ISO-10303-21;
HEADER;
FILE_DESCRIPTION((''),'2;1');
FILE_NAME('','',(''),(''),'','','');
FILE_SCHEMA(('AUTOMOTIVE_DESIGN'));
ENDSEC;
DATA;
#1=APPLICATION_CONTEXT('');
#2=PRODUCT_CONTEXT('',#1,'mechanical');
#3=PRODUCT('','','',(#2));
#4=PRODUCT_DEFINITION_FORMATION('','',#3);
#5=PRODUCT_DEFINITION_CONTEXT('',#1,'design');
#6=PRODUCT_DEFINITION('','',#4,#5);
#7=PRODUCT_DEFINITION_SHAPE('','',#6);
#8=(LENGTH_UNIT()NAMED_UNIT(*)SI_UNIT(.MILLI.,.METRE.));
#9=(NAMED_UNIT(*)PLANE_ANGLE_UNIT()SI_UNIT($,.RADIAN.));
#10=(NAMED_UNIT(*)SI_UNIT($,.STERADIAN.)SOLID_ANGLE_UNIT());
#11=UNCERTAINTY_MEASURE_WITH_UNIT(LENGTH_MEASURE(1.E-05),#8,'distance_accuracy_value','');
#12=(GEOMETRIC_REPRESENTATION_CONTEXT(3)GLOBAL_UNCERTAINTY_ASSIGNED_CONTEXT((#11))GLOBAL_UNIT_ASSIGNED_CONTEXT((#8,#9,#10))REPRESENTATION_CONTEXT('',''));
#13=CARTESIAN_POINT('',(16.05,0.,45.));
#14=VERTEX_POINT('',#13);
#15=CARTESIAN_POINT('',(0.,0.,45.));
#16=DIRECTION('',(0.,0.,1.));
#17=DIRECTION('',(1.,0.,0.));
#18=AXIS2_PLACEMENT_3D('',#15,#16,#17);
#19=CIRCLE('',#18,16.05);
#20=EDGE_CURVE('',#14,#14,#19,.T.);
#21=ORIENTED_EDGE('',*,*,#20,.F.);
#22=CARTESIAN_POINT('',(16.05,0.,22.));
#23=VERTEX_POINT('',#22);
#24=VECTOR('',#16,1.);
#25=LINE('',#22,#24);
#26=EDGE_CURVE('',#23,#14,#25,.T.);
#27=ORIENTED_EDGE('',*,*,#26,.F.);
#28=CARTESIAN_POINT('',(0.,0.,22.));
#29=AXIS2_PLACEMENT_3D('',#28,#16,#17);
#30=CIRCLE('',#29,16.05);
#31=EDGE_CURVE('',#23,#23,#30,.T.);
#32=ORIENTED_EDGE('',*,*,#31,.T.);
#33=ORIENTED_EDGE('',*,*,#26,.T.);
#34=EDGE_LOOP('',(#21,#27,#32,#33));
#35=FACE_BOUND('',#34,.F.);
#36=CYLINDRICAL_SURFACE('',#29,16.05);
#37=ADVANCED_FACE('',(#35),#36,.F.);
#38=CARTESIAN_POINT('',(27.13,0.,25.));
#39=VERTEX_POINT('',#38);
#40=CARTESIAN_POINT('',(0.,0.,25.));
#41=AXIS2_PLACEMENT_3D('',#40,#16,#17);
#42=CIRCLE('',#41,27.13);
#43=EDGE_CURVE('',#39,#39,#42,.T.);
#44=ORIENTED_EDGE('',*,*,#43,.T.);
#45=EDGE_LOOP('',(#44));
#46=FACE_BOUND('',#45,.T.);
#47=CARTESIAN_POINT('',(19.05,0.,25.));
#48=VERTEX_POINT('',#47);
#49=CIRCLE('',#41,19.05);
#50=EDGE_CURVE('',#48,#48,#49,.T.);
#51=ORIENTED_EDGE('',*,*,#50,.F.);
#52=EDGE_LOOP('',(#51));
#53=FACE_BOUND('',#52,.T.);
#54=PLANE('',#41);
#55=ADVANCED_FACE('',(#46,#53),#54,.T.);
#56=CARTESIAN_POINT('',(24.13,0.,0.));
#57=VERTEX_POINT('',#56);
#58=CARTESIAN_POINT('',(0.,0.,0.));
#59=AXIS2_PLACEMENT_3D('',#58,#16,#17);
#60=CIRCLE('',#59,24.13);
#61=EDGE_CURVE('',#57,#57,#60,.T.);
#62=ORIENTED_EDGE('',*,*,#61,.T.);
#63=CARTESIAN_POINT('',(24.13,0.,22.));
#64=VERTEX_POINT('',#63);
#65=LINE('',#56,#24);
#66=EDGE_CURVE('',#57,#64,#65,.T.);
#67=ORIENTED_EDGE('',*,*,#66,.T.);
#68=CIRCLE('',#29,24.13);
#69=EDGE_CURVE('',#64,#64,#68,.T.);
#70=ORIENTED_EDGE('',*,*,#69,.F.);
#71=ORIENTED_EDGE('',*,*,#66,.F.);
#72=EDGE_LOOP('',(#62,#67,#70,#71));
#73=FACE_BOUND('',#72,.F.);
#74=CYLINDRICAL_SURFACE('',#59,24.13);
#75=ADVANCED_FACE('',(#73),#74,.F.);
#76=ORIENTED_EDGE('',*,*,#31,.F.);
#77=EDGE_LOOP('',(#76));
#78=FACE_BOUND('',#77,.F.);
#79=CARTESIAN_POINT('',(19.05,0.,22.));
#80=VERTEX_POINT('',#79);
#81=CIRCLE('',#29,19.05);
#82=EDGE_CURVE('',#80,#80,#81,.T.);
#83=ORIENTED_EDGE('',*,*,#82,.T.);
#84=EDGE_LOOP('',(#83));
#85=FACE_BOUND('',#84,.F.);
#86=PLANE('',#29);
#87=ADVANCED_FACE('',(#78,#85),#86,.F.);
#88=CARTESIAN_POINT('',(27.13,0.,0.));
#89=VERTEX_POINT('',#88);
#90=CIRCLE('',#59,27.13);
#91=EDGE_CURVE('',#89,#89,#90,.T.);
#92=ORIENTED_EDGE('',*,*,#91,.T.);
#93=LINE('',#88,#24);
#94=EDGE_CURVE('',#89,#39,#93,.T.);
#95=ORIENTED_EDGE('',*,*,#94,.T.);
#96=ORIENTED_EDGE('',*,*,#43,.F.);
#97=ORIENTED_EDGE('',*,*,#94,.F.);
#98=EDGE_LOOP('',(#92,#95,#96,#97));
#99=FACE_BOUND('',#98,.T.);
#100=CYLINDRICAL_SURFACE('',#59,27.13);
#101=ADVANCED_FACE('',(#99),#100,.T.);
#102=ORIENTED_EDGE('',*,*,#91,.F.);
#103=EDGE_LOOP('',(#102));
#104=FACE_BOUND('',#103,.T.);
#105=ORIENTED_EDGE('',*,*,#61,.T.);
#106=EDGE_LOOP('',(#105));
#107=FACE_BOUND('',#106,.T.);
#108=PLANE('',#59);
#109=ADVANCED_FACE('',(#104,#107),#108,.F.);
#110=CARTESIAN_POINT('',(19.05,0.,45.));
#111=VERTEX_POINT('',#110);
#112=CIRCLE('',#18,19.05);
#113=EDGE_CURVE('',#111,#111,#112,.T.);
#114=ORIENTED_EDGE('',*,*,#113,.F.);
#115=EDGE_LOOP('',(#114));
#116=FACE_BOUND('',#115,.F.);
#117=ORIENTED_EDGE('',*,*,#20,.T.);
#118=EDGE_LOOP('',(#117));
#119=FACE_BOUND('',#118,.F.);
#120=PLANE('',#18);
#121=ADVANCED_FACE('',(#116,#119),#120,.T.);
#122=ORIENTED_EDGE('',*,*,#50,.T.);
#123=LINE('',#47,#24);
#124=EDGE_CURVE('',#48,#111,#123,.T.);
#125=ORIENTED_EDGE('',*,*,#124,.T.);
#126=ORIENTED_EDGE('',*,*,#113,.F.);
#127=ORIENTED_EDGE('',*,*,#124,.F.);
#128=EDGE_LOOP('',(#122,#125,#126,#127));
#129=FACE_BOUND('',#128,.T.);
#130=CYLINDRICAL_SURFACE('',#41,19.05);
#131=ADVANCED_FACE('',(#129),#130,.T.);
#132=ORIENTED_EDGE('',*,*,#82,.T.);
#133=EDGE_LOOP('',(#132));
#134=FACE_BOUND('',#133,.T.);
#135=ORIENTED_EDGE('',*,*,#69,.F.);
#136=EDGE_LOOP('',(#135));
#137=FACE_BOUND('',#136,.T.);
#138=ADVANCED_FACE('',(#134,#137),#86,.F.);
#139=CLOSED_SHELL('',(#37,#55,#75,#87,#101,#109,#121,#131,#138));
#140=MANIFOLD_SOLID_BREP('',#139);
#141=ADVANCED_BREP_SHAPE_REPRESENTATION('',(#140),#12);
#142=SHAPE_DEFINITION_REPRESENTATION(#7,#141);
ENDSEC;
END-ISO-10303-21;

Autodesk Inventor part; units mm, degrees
ref_plane "YZ Plane" through (0, 0, 0) normal (1, 0, 0) x (0, 1, 0)
ref_plane "XZ Plane" through (0, 0, 0) normal (0, 1, 0) x (-1, 0, 0)
ref_plane "XY Plane" through (0, 0, 0) normal (0, 0, 1) x (1, 0, 0)
sketch "Sketch1" plane through (0, 0, 0) normal (0, 1, 0) x (-1, 0, 0)
  line L0 (0, 0) -> (-24.13, 0) construction
  line L1 (-24.13, 0) -> (-24.13, 22)
  line L2 (-19.05, 25) -> (-19.05, 45)
  line L3 (-24.13, 0) -> (-27.13, 0)
  line L4 (-27.13, 0) -> (-27.13, 25)
  line L5 (-27.13, 25) -> (-19.05, 25)
  line L6 (-27.13, 25) -> (-27.13, 25)
  line L7 (-27.13, 25) -> (-19.05, 25)
  line L8 (-19.05, 25) -> (-19.05, 25)
  line L9 (-19.05, 22) -> (-24.13, 22)
  line L10 (-16.05, 22) -> (-16.05, 45)
  line L11 (-19.05, 22) -> (-16.05, 22)
  line L12 (-16.05, 45) -> (-19.05, 45)
  line L13 (0, -9) -> (0, 54) projected
  dimension "d3" = 24.13
  dimension "d6" = 20
  dimension "d7" = 3
  dimension "d8" = 25
revolve "Revolution1" add sketch "Sketch1" angle 360 about axis through (0, 0, -10) along (0, 0, 1)
thread "Thread1" size "1 1/2" designation "1 1/2 - 11.5 NPT" standard "NPT for PVC Pipe and Fitting" length 26.04
properties part number "1-1&2 FEMALE ADAPTER"
